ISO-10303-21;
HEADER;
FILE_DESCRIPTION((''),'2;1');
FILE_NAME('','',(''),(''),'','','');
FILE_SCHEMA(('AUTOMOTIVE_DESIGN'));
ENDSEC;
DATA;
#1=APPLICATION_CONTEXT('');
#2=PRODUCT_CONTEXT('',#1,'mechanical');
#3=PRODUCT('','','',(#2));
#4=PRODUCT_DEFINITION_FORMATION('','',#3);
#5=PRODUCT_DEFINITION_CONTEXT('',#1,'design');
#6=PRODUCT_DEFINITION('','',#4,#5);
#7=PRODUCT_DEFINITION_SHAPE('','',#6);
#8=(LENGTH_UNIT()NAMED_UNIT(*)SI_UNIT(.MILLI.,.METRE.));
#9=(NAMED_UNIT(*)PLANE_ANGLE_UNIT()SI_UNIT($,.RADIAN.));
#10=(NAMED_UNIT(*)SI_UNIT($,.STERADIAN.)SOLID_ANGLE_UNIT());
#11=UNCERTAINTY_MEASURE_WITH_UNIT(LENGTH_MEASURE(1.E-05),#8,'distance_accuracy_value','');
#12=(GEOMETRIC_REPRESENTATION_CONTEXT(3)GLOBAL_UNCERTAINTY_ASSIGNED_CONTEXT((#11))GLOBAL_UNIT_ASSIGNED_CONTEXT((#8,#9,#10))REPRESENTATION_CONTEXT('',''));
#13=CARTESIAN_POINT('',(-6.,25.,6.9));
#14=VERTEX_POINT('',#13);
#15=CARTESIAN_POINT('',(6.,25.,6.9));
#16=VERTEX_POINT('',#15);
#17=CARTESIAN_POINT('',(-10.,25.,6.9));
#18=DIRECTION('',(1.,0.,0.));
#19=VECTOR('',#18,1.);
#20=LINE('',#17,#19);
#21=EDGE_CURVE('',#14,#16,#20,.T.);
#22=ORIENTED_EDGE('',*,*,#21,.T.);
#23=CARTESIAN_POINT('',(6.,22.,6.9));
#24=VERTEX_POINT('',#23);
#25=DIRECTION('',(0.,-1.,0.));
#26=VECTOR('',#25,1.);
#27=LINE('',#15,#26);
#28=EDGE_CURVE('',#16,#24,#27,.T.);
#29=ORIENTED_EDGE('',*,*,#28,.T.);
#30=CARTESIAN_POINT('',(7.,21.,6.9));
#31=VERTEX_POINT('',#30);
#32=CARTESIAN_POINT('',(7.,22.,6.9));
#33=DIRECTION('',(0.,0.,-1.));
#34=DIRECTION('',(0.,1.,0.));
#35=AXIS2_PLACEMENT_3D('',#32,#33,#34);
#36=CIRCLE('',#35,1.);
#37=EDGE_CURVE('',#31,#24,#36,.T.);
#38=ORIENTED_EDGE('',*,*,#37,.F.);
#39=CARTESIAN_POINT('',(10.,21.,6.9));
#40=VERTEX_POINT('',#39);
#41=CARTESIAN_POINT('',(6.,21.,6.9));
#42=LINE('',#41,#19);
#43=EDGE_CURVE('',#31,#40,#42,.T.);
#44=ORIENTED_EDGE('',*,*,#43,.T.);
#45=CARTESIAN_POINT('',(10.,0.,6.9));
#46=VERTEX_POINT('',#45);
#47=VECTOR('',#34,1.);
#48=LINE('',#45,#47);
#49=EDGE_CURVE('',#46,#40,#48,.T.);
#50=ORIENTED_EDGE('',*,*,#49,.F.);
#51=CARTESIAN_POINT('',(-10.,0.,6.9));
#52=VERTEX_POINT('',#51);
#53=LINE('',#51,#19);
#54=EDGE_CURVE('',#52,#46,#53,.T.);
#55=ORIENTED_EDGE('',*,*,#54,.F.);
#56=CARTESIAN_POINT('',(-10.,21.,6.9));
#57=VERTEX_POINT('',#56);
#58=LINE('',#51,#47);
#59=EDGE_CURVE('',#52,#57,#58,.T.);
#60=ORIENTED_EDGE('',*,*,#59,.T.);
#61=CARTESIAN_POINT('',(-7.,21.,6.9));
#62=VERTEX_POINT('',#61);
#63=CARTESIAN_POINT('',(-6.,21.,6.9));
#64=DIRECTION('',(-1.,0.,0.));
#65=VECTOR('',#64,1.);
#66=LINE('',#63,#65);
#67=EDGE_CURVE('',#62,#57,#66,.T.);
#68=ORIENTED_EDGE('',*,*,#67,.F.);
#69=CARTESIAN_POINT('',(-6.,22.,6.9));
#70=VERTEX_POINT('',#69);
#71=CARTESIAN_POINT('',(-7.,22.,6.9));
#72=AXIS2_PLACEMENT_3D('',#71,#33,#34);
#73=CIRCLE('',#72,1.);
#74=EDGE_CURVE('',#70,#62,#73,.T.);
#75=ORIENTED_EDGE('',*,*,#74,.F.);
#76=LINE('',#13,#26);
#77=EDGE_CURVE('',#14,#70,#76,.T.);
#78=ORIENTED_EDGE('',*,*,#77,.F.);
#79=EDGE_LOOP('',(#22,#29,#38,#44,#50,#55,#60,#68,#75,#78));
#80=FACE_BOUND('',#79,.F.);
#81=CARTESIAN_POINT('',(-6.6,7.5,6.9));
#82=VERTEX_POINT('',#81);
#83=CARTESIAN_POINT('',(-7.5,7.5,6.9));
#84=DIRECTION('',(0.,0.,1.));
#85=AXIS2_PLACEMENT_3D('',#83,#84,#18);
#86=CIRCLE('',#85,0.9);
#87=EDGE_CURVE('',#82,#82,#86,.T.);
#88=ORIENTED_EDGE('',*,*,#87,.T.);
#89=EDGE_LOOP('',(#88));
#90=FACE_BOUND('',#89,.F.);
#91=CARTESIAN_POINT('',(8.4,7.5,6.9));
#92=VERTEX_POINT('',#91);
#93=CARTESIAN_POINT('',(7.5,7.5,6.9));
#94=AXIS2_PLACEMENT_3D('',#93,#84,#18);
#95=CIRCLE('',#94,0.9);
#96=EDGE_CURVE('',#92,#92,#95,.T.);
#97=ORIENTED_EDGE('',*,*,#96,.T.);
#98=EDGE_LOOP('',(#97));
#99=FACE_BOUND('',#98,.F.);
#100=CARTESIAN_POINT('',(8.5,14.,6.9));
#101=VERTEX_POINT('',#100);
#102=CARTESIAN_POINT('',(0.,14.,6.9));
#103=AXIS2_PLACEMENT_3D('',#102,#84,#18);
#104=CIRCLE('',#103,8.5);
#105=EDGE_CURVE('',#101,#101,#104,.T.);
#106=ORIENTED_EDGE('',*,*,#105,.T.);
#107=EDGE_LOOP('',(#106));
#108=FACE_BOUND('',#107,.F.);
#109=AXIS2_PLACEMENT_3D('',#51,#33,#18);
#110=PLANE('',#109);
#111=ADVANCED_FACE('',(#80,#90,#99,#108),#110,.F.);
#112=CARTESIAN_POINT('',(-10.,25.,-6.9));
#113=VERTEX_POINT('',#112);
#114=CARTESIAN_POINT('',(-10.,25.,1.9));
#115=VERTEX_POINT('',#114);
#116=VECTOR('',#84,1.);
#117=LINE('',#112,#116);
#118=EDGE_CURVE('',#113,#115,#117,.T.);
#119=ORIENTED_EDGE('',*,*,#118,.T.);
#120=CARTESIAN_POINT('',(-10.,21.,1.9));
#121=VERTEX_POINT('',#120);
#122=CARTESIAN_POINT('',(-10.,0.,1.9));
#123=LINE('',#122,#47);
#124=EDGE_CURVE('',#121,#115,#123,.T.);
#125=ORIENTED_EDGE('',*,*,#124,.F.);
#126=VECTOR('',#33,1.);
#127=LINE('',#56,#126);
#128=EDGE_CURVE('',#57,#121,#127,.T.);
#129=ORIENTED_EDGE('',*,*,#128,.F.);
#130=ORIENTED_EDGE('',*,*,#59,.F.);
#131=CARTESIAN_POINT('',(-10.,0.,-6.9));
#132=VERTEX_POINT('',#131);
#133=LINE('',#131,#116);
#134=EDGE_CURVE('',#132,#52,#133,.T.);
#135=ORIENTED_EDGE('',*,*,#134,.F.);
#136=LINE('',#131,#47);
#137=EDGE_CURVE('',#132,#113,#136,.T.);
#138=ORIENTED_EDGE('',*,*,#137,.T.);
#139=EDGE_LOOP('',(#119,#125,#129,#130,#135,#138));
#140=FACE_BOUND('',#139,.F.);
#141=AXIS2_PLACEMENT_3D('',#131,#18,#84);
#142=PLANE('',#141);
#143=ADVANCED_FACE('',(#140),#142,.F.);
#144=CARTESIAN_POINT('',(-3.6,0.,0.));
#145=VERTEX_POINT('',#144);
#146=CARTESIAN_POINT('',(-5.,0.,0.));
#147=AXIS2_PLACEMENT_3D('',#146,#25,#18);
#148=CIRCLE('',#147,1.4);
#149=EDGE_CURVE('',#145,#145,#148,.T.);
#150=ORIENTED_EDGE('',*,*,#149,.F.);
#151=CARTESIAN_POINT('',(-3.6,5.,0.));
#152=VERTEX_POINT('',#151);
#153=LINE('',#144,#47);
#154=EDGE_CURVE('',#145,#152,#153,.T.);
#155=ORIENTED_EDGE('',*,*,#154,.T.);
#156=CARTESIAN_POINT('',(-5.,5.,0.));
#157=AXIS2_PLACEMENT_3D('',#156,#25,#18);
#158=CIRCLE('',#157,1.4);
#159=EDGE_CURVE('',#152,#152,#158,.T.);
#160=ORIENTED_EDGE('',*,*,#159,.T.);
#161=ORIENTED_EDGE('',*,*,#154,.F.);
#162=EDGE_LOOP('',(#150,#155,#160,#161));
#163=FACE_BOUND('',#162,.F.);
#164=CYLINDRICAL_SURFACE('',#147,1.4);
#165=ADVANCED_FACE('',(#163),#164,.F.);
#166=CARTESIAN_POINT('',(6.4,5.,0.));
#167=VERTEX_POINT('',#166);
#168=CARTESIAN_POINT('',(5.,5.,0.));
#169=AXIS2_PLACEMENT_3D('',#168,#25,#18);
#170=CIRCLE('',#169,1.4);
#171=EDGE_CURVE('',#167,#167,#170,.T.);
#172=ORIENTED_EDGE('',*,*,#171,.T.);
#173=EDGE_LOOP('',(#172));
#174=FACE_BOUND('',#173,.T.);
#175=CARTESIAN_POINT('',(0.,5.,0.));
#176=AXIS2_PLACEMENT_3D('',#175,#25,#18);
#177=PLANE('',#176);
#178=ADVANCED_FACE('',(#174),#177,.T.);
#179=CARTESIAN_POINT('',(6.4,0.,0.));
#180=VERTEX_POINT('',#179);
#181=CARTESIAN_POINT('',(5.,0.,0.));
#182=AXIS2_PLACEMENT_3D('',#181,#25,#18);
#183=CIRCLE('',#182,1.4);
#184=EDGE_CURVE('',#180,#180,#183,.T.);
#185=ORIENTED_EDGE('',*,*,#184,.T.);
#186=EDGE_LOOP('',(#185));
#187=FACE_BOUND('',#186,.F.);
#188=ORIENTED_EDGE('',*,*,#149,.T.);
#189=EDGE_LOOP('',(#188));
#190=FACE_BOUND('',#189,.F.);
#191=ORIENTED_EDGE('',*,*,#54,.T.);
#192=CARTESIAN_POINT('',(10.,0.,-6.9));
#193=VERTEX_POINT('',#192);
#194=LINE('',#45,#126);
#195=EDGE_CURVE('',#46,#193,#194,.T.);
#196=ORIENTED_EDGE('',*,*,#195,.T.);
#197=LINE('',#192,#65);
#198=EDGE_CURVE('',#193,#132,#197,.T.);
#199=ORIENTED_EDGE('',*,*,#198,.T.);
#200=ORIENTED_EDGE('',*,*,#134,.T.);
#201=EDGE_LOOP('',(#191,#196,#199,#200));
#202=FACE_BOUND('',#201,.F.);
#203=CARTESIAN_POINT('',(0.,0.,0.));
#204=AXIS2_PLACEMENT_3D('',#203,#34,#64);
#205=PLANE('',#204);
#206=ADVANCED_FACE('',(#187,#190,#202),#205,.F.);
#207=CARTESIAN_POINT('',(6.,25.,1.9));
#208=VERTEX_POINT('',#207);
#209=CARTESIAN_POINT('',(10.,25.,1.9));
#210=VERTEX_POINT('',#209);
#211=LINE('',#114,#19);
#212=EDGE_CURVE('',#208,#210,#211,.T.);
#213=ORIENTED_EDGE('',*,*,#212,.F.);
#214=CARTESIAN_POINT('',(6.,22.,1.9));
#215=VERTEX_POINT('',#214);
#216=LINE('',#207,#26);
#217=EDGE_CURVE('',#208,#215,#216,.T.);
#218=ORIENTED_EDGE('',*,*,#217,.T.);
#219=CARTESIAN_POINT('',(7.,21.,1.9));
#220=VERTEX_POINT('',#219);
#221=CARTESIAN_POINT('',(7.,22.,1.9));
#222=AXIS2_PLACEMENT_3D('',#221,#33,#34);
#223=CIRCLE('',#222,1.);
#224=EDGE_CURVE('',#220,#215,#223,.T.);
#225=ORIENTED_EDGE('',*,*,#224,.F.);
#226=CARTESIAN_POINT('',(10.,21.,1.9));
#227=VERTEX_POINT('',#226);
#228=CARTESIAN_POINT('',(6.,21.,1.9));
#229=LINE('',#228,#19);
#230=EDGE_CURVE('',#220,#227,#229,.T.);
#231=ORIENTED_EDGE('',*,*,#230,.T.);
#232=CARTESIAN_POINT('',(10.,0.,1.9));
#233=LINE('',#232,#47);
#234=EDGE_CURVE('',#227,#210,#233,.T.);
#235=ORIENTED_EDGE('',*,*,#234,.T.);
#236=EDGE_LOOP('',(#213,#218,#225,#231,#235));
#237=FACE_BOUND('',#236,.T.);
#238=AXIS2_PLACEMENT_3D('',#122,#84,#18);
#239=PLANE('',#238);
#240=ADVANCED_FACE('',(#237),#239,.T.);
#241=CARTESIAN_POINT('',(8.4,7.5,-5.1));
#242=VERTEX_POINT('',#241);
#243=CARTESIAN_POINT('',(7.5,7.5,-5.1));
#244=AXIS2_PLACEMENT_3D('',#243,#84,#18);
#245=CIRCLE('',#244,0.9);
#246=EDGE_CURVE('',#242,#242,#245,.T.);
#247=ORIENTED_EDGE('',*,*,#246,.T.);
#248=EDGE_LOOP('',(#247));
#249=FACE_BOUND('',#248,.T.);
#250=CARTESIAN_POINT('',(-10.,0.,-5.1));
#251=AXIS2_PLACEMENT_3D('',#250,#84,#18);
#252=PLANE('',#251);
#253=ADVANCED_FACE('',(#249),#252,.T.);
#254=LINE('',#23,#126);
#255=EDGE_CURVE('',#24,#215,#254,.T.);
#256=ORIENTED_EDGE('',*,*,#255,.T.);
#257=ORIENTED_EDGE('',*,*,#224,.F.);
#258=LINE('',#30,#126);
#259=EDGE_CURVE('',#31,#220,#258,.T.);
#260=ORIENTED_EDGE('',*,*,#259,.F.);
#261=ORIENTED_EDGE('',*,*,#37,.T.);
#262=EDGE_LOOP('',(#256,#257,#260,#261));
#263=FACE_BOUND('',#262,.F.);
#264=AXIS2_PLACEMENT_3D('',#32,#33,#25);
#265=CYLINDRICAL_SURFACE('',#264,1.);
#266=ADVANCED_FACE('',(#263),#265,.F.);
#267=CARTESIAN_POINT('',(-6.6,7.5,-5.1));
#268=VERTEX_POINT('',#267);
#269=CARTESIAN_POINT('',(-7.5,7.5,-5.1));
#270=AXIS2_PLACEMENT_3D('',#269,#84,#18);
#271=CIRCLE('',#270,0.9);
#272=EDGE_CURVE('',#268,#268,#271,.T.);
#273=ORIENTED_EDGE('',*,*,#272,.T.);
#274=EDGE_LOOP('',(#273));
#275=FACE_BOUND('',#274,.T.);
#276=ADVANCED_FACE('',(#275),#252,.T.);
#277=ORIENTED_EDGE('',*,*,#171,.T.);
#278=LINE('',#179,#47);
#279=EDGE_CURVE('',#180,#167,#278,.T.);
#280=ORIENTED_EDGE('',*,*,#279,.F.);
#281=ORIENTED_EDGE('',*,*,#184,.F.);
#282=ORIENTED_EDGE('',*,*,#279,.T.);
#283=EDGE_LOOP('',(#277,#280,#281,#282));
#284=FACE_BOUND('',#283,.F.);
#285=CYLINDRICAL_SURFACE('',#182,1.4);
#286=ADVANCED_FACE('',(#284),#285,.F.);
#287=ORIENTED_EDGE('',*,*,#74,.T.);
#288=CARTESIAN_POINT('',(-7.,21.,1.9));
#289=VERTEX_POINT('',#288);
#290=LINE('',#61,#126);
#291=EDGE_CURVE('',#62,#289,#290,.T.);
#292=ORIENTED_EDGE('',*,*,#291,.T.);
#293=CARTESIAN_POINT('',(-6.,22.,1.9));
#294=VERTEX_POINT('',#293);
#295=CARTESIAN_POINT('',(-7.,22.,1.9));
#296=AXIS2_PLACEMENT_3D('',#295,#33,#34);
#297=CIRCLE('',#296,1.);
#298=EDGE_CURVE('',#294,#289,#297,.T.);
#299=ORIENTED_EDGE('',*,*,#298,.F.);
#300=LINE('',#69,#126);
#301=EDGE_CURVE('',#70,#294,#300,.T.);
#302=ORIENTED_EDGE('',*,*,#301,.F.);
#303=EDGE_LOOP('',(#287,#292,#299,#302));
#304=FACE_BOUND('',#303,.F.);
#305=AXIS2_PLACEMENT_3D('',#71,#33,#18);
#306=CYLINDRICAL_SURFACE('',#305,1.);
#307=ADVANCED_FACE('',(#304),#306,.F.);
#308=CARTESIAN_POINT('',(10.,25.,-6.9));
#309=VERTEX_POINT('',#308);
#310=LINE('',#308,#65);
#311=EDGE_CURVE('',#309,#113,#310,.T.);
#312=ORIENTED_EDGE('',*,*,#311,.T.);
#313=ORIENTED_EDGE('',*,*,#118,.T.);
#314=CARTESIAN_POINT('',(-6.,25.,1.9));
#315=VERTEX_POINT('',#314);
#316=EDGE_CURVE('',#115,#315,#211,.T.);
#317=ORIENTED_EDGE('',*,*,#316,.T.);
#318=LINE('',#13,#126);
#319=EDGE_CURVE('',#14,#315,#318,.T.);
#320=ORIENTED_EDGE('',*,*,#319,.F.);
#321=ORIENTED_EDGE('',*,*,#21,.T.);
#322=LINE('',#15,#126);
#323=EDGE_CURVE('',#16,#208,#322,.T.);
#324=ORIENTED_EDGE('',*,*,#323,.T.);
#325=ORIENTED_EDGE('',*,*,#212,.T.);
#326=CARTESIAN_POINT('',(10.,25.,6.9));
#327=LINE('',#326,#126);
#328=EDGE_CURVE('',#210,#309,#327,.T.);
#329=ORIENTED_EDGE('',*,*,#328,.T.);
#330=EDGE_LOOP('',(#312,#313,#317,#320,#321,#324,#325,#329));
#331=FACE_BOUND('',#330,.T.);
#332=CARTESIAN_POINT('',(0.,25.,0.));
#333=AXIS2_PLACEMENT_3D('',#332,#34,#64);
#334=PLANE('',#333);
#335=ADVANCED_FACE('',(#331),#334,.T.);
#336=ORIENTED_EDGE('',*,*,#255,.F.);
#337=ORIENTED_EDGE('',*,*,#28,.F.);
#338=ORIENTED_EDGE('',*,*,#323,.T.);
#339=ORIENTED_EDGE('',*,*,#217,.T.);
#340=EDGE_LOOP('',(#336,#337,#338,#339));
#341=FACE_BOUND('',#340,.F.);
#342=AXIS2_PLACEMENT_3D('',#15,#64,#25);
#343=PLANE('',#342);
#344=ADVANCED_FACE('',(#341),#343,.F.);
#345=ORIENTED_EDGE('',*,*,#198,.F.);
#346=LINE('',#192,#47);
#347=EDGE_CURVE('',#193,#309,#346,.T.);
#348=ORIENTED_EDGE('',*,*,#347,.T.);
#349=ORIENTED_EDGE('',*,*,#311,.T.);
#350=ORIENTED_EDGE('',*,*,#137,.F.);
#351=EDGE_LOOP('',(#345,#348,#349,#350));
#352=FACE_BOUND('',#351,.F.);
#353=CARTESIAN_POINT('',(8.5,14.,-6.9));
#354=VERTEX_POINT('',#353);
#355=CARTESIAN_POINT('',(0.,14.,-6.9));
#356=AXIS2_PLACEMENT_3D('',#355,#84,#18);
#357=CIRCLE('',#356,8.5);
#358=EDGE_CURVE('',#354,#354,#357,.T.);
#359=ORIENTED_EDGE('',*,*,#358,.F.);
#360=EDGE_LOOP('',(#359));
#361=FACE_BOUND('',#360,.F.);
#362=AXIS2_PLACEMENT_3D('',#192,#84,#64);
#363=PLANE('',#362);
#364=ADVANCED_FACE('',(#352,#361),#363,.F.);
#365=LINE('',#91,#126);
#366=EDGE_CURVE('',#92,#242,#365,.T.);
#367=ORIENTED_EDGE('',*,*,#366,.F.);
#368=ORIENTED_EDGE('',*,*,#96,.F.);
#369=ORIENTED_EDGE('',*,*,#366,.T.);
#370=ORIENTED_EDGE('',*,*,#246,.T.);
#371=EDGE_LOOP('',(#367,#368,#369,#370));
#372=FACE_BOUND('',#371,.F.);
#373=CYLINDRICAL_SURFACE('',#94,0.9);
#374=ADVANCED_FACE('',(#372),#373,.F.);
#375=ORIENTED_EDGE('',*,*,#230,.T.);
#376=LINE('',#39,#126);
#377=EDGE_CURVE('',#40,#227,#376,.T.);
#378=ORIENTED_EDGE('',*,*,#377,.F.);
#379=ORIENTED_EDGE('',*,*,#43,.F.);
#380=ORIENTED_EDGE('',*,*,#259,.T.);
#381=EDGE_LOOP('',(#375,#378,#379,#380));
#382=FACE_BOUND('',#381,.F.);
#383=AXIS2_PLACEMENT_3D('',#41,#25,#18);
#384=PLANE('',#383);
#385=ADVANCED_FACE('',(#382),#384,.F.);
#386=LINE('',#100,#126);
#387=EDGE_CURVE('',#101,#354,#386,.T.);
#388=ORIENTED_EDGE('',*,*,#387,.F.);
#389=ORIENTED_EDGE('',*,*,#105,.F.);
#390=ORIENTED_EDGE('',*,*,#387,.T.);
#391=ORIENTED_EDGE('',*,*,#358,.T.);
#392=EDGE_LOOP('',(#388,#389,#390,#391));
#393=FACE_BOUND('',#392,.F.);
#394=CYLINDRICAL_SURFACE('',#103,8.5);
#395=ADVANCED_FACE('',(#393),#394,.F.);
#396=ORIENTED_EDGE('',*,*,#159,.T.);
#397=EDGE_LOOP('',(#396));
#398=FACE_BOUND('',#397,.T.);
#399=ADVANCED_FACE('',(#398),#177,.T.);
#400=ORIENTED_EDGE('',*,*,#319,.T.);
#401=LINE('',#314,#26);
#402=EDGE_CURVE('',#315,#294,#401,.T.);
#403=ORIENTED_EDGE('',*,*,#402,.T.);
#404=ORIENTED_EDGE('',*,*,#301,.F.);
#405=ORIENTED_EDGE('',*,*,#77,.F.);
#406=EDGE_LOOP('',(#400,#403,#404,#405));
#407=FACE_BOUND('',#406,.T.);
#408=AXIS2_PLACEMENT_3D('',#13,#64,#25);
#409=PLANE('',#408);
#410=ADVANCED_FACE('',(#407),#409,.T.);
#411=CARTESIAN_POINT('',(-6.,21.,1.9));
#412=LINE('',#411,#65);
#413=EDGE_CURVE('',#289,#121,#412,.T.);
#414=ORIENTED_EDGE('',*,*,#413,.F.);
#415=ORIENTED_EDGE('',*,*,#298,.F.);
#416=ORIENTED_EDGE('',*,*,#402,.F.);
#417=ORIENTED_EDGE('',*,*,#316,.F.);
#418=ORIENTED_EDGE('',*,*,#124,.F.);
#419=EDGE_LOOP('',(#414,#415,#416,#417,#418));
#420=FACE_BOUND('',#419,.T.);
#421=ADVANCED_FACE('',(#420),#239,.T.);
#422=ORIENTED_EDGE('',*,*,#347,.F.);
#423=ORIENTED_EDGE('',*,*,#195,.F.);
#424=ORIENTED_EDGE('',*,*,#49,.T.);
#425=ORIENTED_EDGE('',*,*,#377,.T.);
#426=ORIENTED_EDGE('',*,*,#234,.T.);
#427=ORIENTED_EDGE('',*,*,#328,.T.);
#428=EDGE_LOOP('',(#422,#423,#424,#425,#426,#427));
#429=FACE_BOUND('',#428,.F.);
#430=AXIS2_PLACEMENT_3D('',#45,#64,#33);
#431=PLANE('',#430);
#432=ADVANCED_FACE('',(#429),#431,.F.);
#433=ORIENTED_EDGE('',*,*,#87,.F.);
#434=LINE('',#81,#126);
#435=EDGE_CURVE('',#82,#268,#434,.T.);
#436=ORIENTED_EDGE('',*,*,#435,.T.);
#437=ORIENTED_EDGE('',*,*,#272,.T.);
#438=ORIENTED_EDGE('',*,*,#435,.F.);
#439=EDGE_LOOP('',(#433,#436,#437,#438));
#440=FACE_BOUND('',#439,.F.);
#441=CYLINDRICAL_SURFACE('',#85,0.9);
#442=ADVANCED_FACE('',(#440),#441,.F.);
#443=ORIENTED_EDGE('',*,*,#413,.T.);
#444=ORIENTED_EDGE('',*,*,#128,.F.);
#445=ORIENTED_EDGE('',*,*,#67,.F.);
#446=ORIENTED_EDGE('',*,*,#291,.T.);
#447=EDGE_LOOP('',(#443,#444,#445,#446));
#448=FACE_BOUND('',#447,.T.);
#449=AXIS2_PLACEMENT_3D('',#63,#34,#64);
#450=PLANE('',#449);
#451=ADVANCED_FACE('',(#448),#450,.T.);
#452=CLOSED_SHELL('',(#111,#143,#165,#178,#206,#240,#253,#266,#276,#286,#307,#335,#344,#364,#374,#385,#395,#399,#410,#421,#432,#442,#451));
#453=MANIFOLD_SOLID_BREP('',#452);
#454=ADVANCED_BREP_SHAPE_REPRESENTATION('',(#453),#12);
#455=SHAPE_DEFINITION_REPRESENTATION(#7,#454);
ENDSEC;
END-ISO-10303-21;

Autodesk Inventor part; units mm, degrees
ref_plane "YZ Plane" through (0, 0, 0) normal (1, 0, 0) x (0, 1, 0)
ref_plane "XZ Plane" through (0, 0, 0) normal (0, 1, 0) x (-1, 0, 0)
ref_plane "XY Plane" through (0, 0, 0) normal (0, 0, 1) x (1, 0, 0)
sketch "Sketch1" plane through (0, 0, 0) normal (0, 1, 0) x (-1, 0, 0)
  line L0 (-10, -6.9) -> (10, -6.9)
  line L1 (10, -6.9) -> (10, 6.9)
  line L2 (10, 6.9) -> (-10, 6.9)
  line L3 (-10, 6.9) -> (-10, -6.9)
  line L4 (-10, -6.9) -> (10, 6.9) construction
  line L5 (10, -6.9) -> (-10, 6.9) construction
  point P0 (0, 0)
  dimension "d0" = 20
  dimension "d1" = 13.8
extrude "Extrusion1" add sketch "Sketch1" along normal blind 25
sketch "Sketch2" plane through (-10, 0, 6.9) normal (0, 0, 1) x (1, 0, 0)
  circle A0 centre (10, 14) radius 8.5
  circle A1 centre (2.5, 7.5) radius 0.9
  circle A2 centre (17.5, 7.5) radius 0.9
  point P0 (10, 0)
  dimension "d14" = 17
  dimension "d18" = 1.8
  dimension "d21" = 1.8
extrude "Extrusion2" cut sketch "Sketch2" against normal through all contours A0
sketch "Sketch3" plane through (-10, 0, 6.9) normal (0, 0, 1) x (1, 0, 0)
  circle A0 centre (10, 14) radius 8.5
  circle A1 centre (2.5, 7.5) radius 0.9
  circle A2 centre (17.5, 7.5) radius 0.9
  point P0 (10, 0)
  point P1 (10, 0)
  dimension "d24" = 17
  dimension "d25" = 1.8
  dimension "d26" = 1.8
extrude "Extrusion3" cut sketch "Sketch3" against normal blind 12 contours A1 | A2
sketch "Sketch5" plane through (-10, 0, 6.9) normal (0, 0, 1) x (1, 0, 0)
  circle A0 centre (2.5, 7.5) radius 0.9 projected
  circle A1 centre (17.5, 7.5) radius 0.9 projected
  circle A2 centre (10, 14) radius 8.5 projected
  line L0 (0, 0) -> (20, 0) projected
  line L1 (20, 0) -> (20, 25) projected
  line L2 (0, 25) -> (20, 25) projected
  line L3 (0, 0) -> (0, 25) projected
  line L4 (10, 0) -> (10, 5)
  line L5 (0, 25) -> (4, 25)
  line L6 (4, 25) -> (4, 21)
  line L7 (4, 21) -> (0, 21)
  line L8 (20, 25) -> (16, 25)
  line L9 (0, 25) -> (20, 25) projected
  line L10 (16, 25) -> (16, 21)
  line L11 (16, 21) -> (20, 21)
  line L12 (20, 25) -> (20, 21)
  line L13 (20, 0) -> (20, 25) projected
  line L14 (0, 25) -> (4, 25)
  line L15 (4, 25) -> (4, 21)
  line L16 (4, 21) -> (0, 21)
  line L17 (0, 21) -> (0, 25)
  line L18 (16, 25) -> (20, 25)
  line L19 (20, 25) -> (20, 21)
  line L20 (20, 21) -> (16, 21)
  line L21 (16, 21) -> (16, 25)
  dimension "d33" = 5
  dimension "d38" = 4
  dimension "d39" = 4
  dimension "d40" = 4
extrude "Extrusion4" cut sketch "Sketch5" against normal blind 5 contours L3 L2 L6 L7 | L11 L10 L2 L1
fillet "Fillet1" radius 1 2 edges at (-6, 21, 4.4) (6, 21, 4.4)
sketch "Sketch6" plane through (0, 0, 0) normal (0, -1, 0) x (1, 0, 0)
  circle A0 centre (-5, 0) radius 1.4
  circle A1 centre (5, 0) radius 1.4
  point P0 (0, 0)
  dimension "d46" = 2.8
  dimension "d47" = 2.8
extrude "Extrusion5" cut sketch "Sketch6" against normal blind 5
properties part number "Sonar Mount" material "ABS Plastic"
